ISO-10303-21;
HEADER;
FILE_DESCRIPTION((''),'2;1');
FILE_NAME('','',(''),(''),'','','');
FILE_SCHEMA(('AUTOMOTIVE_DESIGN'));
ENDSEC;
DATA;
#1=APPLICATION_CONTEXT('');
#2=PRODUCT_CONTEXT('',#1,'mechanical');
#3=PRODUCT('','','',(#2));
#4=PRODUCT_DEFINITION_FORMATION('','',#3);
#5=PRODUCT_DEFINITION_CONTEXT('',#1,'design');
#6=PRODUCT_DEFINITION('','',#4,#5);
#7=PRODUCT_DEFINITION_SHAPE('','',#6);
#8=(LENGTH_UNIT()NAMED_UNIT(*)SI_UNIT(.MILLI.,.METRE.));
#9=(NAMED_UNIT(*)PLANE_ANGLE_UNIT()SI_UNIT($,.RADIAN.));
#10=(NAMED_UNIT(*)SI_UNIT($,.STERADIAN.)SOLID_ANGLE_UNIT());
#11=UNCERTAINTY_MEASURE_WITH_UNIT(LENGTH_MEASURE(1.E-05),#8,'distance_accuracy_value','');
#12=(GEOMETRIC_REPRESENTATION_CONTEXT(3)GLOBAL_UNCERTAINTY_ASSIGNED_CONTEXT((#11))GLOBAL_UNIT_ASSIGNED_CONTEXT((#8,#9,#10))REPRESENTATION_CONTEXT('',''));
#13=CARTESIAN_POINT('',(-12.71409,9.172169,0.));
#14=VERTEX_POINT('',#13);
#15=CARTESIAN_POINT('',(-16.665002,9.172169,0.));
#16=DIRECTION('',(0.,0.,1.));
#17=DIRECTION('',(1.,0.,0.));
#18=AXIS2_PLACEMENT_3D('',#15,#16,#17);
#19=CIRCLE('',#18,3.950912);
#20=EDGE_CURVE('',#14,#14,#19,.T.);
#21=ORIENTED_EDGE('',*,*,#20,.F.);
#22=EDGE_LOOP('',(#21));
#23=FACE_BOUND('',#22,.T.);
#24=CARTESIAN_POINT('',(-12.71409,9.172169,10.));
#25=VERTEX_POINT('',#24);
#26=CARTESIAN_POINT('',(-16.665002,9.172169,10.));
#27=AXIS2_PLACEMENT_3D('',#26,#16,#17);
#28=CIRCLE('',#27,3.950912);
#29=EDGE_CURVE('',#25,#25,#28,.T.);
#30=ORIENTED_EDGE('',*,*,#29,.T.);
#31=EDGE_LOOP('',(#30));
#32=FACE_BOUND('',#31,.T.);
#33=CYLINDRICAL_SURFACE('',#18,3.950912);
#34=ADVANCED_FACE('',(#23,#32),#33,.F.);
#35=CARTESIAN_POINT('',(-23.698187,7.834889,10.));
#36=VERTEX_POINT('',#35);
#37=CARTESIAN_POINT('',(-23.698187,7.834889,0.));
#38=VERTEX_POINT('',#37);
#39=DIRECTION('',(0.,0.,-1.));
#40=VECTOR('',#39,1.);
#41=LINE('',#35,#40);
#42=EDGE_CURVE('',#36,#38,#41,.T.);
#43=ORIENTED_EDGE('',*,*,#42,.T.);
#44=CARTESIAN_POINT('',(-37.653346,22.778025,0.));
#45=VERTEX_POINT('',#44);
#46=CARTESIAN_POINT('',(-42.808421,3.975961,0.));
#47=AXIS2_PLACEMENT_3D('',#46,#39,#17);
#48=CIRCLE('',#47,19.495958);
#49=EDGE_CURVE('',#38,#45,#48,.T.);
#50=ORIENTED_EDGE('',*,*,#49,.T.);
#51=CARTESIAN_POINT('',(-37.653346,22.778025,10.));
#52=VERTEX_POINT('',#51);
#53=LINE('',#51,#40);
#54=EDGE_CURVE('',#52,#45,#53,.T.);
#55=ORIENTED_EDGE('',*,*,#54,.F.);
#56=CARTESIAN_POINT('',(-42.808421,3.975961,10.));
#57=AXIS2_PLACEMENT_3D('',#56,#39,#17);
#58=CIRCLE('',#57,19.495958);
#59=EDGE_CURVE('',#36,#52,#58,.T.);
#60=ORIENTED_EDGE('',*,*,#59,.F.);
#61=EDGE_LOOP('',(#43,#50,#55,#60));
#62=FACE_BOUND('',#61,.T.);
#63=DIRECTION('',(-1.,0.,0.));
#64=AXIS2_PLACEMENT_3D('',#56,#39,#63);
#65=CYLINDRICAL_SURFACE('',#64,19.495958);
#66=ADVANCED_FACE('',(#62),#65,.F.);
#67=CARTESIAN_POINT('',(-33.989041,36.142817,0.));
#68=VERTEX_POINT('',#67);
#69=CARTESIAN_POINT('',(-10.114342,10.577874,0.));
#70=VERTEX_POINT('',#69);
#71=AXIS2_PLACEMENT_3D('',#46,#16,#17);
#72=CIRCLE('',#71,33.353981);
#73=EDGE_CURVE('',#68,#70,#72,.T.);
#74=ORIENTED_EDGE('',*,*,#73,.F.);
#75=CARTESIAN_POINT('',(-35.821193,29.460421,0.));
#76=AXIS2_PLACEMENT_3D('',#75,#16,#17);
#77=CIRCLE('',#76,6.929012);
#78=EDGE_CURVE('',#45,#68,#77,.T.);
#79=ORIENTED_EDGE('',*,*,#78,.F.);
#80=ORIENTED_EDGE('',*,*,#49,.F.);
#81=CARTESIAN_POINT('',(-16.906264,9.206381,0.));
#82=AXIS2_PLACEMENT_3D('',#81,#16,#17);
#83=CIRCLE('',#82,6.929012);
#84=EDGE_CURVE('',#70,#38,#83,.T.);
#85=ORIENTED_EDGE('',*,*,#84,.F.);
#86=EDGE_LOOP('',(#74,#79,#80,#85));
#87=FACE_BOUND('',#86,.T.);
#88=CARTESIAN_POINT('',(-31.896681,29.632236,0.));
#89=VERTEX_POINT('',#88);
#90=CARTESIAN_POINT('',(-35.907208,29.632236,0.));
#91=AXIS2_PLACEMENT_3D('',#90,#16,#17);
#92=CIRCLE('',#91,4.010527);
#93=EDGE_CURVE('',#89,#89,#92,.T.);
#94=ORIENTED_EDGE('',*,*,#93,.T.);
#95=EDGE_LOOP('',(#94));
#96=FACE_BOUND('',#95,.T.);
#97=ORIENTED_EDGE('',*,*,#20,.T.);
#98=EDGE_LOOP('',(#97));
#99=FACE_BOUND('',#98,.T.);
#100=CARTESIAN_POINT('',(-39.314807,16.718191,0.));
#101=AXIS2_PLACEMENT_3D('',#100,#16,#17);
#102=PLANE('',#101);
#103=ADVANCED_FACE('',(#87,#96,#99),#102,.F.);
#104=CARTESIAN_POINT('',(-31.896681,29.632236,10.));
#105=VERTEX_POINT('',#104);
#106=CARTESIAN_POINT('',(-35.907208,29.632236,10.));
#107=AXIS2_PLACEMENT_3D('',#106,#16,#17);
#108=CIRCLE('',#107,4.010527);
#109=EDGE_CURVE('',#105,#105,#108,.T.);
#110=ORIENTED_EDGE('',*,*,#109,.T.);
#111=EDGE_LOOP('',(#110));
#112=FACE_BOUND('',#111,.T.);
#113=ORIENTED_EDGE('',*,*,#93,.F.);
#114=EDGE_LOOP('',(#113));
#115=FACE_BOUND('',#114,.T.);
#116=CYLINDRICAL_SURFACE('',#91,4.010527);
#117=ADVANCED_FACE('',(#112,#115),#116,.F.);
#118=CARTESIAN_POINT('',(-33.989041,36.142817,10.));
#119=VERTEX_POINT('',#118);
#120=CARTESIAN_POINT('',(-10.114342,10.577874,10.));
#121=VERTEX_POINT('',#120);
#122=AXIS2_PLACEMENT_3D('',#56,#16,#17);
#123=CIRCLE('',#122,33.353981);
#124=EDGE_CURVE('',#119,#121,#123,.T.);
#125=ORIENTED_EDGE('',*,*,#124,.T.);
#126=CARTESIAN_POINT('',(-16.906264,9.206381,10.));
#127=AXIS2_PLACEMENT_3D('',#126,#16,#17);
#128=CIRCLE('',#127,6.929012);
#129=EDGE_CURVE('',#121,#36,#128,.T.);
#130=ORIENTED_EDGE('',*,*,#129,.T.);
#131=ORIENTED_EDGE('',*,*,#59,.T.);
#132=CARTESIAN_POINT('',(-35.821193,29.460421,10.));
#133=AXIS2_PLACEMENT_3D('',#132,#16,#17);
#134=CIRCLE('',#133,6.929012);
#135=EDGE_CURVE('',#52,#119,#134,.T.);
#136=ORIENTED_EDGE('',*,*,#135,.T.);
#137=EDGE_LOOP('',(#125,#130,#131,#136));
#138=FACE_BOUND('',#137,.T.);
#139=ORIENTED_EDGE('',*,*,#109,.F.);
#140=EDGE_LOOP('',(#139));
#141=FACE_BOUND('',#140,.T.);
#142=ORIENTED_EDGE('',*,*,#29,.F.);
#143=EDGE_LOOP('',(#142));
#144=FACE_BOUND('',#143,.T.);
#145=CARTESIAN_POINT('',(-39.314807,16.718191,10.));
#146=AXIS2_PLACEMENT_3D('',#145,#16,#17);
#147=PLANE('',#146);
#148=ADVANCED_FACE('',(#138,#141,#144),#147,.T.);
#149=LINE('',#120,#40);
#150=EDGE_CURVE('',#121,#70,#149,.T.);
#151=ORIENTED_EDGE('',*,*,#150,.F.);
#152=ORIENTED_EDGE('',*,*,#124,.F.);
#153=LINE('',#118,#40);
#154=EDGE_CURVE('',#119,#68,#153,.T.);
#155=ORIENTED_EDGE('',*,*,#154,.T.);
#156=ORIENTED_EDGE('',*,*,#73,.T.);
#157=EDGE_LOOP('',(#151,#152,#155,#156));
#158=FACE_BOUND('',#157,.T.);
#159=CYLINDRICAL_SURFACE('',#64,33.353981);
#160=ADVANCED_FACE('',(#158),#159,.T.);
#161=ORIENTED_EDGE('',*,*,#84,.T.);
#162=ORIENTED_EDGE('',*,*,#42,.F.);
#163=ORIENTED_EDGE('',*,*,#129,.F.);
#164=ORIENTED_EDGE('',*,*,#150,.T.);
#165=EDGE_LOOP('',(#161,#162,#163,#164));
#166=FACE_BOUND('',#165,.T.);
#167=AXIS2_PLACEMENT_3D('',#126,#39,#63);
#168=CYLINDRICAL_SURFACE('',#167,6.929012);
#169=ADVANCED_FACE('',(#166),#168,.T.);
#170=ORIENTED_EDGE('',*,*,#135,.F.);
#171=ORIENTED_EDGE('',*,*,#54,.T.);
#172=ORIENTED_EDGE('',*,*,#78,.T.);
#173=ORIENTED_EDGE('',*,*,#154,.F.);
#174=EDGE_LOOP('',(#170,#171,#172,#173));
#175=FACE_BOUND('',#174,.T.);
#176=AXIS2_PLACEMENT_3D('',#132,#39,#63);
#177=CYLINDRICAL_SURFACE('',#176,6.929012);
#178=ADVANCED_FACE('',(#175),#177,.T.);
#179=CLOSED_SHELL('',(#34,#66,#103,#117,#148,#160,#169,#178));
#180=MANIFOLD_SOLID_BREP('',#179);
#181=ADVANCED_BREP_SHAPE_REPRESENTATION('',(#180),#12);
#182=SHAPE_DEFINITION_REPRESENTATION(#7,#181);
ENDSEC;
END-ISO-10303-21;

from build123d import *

# Parameters (mm, degrees)
BOSS_EXTRUDE1_DEPTH = 10
SKETCH2_R           = 4.010526774
SKETCH2_R_2         = 3.950911994
CUT_EXTRUDE2_DEPTH  = 10


with BuildPart() as part:
    # Sketch1 → Boss-Extrude1 (new body)
    with BuildSketch(Plane.XY):
        with BuildLine():
            ThreePointArc((-33.989040517, 36.142816718), (-67.185323929, -18.789245764), (-10.11434169, 10.577873726))
            ThreePointArc((-10.11434169, 10.577873726), (-18.277756389, 15.998303864), (-23.698186527, 7.834889164))
            ThreePointArc((-23.698186527, 7.834889164), (-57.057127067, -9.330681752), (-37.653346002, 22.778024532))
            ThreePointArc((-37.653346002, 22.778024532), (-29.138797167, 27.628267882), (-33.989040517, 36.142816718))
        make_face()
    extrude(amount=BOSS_EXTRUDE1_DEPTH)

    # Sketch2 → Cut-Extrude2 (cut)
    with BuildSketch(Plane.XY.offset(10)):
        with Locations((-35.907207797, 29.632235542)):
            Circle(SKETCH2_R)
        with Locations((-16.665002101, 9.172168726)):
            Circle(SKETCH2_R_2)
    extrude(amount=-CUT_EXTRUDE2_DEPTH, mode=Mode.SUBTRACT)


solid = part.part
